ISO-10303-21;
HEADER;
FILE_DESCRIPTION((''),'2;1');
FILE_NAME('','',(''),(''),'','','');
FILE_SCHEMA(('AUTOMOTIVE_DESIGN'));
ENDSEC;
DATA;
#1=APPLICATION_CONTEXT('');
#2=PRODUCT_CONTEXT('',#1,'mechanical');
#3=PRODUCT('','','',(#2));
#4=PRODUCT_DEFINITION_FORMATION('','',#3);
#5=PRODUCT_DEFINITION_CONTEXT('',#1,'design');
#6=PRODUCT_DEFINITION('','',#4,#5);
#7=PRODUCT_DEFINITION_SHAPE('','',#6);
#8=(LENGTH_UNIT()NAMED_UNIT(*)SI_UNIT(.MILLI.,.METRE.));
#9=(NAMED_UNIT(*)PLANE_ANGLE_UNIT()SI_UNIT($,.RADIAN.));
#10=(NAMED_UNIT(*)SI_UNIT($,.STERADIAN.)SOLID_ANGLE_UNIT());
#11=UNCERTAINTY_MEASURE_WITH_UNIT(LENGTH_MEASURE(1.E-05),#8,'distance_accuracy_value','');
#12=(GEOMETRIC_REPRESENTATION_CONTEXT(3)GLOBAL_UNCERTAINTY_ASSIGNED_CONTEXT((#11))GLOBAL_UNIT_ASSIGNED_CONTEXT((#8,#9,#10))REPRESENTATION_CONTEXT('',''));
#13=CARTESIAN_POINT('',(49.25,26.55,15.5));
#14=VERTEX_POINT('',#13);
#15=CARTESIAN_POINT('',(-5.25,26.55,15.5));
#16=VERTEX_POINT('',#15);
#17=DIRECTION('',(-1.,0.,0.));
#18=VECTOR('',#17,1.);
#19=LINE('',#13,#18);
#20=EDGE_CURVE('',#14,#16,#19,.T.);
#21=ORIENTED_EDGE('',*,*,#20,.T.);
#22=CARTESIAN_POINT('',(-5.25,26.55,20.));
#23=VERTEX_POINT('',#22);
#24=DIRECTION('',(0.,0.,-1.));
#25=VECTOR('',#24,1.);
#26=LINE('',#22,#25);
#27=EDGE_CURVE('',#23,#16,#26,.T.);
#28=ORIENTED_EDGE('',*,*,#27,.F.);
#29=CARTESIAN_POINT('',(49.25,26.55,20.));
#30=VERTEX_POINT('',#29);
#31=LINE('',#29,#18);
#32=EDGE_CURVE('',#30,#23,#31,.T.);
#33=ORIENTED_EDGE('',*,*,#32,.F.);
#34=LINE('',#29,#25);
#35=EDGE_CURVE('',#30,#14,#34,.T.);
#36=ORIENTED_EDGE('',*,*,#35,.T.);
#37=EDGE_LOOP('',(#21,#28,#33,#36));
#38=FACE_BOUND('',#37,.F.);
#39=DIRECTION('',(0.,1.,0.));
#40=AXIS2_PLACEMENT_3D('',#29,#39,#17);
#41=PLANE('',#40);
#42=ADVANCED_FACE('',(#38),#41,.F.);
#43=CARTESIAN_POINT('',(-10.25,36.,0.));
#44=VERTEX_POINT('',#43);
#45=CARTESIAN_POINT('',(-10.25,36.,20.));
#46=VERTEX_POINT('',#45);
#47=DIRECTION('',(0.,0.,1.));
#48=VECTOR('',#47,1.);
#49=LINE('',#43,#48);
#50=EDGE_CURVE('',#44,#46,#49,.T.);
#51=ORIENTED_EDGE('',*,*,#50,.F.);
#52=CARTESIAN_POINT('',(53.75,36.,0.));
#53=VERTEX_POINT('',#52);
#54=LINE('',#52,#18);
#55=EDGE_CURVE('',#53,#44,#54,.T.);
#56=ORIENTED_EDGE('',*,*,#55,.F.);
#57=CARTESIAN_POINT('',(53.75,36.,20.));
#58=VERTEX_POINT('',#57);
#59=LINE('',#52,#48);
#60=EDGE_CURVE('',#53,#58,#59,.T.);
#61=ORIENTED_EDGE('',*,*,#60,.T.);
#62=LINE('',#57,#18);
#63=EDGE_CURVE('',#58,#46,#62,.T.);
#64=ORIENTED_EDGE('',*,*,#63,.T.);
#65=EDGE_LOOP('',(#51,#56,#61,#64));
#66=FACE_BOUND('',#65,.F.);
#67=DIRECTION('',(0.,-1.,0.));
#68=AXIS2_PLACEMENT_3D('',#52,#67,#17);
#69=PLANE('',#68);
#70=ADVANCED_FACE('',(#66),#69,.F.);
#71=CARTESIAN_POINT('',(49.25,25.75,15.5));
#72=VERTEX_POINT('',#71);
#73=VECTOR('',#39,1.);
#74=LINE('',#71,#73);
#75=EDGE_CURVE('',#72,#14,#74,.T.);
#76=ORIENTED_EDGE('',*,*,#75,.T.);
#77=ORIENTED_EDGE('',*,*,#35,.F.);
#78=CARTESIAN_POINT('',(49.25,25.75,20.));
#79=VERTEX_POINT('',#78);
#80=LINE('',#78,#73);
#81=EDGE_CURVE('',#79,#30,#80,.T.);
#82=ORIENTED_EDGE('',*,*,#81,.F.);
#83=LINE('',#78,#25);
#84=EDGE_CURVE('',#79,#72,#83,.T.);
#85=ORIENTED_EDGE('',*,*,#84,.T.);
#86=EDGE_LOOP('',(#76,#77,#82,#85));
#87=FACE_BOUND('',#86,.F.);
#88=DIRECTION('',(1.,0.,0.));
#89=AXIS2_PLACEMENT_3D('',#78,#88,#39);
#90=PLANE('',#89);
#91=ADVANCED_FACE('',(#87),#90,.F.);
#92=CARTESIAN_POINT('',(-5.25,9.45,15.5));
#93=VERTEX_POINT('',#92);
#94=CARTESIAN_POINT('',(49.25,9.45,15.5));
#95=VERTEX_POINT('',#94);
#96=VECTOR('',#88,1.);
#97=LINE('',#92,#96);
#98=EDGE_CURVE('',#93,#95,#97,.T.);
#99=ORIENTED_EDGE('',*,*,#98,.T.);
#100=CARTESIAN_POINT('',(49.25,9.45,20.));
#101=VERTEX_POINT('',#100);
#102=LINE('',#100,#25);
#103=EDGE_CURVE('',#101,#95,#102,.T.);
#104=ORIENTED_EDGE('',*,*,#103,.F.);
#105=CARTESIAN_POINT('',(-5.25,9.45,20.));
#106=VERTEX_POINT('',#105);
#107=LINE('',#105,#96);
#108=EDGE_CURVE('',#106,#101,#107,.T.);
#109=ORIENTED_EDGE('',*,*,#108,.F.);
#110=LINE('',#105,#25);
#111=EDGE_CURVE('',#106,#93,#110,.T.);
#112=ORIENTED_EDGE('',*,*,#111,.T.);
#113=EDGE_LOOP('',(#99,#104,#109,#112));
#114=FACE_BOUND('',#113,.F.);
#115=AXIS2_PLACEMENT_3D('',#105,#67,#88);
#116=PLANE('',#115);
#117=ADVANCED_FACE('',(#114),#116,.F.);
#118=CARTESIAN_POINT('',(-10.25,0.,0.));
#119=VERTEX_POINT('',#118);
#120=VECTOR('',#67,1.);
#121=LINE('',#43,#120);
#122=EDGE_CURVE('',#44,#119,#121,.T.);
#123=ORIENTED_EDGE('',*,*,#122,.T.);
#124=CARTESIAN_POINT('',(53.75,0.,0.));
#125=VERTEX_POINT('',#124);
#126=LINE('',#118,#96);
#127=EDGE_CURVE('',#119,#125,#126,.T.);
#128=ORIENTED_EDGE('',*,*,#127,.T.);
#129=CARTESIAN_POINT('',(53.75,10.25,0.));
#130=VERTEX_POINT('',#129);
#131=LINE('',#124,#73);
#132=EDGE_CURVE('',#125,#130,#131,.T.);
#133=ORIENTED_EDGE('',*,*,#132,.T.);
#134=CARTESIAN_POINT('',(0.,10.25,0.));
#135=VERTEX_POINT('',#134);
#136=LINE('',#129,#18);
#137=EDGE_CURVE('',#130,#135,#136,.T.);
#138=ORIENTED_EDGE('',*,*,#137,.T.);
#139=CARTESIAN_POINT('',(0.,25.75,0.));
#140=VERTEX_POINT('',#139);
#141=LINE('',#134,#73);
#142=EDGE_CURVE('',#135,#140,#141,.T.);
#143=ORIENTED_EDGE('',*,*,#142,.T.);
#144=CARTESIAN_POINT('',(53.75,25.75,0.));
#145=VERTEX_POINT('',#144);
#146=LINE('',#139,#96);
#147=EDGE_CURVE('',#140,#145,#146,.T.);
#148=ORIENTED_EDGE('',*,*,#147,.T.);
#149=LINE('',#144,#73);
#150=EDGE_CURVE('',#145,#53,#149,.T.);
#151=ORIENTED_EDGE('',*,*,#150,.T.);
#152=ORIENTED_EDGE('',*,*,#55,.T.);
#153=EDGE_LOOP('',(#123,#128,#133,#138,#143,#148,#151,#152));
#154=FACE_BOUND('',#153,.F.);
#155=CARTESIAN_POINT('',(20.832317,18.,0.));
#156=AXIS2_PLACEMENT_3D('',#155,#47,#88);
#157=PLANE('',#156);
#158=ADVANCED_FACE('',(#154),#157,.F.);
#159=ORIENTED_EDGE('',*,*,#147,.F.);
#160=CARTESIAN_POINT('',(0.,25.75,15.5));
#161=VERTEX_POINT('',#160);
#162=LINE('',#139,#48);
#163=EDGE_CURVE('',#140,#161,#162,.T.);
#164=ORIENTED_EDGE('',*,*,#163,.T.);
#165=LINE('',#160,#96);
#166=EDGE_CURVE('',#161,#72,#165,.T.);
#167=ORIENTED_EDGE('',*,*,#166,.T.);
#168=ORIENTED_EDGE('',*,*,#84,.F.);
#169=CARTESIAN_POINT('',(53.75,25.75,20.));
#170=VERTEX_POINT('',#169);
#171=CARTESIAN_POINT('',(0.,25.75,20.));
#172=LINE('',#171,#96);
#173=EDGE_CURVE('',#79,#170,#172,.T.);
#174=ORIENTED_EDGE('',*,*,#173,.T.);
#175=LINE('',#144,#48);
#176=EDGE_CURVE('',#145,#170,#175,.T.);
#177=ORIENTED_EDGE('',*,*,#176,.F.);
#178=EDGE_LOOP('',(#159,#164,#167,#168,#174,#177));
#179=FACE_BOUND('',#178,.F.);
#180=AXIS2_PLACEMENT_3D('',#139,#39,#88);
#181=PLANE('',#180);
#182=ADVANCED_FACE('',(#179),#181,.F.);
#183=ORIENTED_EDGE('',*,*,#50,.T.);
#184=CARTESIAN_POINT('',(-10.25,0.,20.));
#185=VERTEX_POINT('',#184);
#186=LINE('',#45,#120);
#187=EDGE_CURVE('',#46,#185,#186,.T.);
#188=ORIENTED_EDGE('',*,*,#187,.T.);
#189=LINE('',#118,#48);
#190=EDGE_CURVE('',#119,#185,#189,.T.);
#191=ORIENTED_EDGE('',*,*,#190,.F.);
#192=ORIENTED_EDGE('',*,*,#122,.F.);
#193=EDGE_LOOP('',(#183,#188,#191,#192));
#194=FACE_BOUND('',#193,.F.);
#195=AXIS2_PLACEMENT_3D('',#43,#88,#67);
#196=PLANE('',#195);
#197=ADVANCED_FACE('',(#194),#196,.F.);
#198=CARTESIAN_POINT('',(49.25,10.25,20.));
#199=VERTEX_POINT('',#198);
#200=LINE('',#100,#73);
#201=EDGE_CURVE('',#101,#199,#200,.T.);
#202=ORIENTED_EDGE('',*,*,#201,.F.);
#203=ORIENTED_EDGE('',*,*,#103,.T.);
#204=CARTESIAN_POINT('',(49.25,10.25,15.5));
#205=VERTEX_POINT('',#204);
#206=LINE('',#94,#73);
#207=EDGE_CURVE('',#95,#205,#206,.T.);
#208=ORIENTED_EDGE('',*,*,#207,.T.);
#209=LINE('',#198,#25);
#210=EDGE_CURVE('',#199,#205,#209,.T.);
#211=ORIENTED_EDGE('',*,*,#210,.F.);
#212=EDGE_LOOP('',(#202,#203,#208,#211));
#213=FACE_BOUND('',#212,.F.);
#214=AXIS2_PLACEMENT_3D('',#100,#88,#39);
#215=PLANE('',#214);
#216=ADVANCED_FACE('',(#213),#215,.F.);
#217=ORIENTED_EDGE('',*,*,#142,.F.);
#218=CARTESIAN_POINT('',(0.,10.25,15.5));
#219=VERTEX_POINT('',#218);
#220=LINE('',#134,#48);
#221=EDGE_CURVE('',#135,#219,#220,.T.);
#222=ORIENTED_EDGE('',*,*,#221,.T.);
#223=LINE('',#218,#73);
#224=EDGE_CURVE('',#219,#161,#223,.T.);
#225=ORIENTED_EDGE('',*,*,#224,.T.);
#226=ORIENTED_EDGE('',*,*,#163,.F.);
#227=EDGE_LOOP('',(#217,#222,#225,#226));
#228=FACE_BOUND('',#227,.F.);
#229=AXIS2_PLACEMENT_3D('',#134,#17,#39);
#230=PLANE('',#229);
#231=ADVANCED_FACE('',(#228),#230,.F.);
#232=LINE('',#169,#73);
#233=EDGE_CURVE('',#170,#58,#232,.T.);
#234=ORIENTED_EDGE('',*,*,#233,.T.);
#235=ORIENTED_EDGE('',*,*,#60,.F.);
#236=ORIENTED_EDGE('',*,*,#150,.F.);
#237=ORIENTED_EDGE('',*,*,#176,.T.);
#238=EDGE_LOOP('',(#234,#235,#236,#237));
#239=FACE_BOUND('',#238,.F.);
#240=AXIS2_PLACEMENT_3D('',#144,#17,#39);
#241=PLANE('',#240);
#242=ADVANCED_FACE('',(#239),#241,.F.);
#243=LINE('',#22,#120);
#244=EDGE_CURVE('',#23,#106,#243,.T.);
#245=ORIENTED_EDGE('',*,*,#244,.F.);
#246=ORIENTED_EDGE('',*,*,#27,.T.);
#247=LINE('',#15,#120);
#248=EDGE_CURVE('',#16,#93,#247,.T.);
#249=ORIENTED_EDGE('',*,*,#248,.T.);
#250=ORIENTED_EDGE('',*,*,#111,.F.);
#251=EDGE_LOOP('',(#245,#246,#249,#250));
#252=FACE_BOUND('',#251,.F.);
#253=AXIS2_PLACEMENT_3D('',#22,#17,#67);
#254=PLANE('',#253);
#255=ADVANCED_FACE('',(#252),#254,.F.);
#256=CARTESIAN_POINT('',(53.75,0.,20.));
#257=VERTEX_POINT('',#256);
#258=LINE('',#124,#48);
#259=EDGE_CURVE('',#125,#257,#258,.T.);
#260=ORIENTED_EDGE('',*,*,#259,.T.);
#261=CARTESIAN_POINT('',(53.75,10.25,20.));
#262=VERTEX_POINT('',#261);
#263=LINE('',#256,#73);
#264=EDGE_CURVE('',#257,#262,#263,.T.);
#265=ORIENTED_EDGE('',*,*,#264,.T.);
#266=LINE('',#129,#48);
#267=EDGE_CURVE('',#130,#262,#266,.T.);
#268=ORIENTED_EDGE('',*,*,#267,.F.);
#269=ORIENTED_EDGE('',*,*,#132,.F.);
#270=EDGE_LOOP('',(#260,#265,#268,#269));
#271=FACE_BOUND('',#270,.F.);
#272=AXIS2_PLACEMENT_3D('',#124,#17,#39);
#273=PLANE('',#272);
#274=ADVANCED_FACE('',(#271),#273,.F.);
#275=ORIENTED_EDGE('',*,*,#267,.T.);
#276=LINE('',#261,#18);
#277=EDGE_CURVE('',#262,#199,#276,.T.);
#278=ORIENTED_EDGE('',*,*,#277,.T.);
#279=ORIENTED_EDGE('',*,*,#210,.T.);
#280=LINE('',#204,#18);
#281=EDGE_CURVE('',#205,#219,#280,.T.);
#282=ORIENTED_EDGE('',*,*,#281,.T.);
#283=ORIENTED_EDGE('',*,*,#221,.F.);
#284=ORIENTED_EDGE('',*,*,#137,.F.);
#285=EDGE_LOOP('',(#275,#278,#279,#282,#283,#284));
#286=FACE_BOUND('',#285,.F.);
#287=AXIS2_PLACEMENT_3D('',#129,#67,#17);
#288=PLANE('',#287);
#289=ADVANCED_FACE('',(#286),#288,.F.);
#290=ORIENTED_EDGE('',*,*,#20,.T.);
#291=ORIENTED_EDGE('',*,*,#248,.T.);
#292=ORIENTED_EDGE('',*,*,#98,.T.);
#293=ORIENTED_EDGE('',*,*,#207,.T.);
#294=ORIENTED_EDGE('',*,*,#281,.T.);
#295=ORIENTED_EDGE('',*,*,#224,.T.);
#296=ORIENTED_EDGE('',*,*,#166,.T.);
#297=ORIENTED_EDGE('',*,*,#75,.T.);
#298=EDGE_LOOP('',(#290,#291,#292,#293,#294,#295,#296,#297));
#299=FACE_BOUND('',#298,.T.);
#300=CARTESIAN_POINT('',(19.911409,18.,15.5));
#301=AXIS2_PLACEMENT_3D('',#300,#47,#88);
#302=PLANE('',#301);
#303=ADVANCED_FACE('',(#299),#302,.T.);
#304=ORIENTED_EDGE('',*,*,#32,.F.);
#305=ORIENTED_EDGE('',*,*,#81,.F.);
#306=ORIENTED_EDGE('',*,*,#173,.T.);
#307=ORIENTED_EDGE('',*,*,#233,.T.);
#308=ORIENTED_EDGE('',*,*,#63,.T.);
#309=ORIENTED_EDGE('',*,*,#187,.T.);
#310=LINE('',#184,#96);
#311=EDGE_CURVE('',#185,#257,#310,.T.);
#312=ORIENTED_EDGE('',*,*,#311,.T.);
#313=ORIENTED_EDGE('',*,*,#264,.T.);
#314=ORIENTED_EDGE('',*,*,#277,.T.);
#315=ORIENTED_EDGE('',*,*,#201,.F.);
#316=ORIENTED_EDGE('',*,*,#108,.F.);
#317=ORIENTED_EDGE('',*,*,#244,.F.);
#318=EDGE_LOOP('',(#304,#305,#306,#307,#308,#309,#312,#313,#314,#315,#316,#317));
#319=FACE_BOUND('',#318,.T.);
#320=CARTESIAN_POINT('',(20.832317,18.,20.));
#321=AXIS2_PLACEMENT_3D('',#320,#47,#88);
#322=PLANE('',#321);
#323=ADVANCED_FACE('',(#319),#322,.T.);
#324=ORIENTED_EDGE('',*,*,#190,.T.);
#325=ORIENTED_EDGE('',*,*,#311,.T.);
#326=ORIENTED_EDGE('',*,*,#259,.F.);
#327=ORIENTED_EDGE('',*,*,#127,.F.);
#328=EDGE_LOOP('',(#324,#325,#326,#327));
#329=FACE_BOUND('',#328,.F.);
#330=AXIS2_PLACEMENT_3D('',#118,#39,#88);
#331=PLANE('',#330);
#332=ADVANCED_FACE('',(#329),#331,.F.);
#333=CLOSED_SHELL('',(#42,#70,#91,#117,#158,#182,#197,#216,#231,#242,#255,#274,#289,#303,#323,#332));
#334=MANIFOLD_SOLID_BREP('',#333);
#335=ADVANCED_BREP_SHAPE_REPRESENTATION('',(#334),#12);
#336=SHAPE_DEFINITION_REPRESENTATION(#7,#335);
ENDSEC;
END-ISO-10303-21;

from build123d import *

# Parameters (mm, degrees)
F1_DEPTH = 20
F3_DEPTH = 4.5


with BuildPart() as f1:
    # F0 (on Top) → F1 (new body)
    with BuildSketch(Plane.XY):
        Polygon((-10.25, 0), (53.75, 0), (53.75, 10.25), (0, 10.25), (0, 25.75), (53.75, 25.75), (53.75, 36), (-10.25, 36), align=None)
    extrude(amount=F1_DEPTH)

    # F2 (on face) → F3 (cut)
    with BuildSketch(Plane.XY.offset(20)):
        Polygon((49.25, 26.55), (-5.25, 26.55), (-5.25, 9.45), (49.25, 9.45), (49.25, 10.25), (0, 10.25), (0, 25.75), (49.25, 25.75), align=None)
    extrude(amount=-F3_DEPTH, mode=Mode.SUBTRACT)


solid = f1.part
